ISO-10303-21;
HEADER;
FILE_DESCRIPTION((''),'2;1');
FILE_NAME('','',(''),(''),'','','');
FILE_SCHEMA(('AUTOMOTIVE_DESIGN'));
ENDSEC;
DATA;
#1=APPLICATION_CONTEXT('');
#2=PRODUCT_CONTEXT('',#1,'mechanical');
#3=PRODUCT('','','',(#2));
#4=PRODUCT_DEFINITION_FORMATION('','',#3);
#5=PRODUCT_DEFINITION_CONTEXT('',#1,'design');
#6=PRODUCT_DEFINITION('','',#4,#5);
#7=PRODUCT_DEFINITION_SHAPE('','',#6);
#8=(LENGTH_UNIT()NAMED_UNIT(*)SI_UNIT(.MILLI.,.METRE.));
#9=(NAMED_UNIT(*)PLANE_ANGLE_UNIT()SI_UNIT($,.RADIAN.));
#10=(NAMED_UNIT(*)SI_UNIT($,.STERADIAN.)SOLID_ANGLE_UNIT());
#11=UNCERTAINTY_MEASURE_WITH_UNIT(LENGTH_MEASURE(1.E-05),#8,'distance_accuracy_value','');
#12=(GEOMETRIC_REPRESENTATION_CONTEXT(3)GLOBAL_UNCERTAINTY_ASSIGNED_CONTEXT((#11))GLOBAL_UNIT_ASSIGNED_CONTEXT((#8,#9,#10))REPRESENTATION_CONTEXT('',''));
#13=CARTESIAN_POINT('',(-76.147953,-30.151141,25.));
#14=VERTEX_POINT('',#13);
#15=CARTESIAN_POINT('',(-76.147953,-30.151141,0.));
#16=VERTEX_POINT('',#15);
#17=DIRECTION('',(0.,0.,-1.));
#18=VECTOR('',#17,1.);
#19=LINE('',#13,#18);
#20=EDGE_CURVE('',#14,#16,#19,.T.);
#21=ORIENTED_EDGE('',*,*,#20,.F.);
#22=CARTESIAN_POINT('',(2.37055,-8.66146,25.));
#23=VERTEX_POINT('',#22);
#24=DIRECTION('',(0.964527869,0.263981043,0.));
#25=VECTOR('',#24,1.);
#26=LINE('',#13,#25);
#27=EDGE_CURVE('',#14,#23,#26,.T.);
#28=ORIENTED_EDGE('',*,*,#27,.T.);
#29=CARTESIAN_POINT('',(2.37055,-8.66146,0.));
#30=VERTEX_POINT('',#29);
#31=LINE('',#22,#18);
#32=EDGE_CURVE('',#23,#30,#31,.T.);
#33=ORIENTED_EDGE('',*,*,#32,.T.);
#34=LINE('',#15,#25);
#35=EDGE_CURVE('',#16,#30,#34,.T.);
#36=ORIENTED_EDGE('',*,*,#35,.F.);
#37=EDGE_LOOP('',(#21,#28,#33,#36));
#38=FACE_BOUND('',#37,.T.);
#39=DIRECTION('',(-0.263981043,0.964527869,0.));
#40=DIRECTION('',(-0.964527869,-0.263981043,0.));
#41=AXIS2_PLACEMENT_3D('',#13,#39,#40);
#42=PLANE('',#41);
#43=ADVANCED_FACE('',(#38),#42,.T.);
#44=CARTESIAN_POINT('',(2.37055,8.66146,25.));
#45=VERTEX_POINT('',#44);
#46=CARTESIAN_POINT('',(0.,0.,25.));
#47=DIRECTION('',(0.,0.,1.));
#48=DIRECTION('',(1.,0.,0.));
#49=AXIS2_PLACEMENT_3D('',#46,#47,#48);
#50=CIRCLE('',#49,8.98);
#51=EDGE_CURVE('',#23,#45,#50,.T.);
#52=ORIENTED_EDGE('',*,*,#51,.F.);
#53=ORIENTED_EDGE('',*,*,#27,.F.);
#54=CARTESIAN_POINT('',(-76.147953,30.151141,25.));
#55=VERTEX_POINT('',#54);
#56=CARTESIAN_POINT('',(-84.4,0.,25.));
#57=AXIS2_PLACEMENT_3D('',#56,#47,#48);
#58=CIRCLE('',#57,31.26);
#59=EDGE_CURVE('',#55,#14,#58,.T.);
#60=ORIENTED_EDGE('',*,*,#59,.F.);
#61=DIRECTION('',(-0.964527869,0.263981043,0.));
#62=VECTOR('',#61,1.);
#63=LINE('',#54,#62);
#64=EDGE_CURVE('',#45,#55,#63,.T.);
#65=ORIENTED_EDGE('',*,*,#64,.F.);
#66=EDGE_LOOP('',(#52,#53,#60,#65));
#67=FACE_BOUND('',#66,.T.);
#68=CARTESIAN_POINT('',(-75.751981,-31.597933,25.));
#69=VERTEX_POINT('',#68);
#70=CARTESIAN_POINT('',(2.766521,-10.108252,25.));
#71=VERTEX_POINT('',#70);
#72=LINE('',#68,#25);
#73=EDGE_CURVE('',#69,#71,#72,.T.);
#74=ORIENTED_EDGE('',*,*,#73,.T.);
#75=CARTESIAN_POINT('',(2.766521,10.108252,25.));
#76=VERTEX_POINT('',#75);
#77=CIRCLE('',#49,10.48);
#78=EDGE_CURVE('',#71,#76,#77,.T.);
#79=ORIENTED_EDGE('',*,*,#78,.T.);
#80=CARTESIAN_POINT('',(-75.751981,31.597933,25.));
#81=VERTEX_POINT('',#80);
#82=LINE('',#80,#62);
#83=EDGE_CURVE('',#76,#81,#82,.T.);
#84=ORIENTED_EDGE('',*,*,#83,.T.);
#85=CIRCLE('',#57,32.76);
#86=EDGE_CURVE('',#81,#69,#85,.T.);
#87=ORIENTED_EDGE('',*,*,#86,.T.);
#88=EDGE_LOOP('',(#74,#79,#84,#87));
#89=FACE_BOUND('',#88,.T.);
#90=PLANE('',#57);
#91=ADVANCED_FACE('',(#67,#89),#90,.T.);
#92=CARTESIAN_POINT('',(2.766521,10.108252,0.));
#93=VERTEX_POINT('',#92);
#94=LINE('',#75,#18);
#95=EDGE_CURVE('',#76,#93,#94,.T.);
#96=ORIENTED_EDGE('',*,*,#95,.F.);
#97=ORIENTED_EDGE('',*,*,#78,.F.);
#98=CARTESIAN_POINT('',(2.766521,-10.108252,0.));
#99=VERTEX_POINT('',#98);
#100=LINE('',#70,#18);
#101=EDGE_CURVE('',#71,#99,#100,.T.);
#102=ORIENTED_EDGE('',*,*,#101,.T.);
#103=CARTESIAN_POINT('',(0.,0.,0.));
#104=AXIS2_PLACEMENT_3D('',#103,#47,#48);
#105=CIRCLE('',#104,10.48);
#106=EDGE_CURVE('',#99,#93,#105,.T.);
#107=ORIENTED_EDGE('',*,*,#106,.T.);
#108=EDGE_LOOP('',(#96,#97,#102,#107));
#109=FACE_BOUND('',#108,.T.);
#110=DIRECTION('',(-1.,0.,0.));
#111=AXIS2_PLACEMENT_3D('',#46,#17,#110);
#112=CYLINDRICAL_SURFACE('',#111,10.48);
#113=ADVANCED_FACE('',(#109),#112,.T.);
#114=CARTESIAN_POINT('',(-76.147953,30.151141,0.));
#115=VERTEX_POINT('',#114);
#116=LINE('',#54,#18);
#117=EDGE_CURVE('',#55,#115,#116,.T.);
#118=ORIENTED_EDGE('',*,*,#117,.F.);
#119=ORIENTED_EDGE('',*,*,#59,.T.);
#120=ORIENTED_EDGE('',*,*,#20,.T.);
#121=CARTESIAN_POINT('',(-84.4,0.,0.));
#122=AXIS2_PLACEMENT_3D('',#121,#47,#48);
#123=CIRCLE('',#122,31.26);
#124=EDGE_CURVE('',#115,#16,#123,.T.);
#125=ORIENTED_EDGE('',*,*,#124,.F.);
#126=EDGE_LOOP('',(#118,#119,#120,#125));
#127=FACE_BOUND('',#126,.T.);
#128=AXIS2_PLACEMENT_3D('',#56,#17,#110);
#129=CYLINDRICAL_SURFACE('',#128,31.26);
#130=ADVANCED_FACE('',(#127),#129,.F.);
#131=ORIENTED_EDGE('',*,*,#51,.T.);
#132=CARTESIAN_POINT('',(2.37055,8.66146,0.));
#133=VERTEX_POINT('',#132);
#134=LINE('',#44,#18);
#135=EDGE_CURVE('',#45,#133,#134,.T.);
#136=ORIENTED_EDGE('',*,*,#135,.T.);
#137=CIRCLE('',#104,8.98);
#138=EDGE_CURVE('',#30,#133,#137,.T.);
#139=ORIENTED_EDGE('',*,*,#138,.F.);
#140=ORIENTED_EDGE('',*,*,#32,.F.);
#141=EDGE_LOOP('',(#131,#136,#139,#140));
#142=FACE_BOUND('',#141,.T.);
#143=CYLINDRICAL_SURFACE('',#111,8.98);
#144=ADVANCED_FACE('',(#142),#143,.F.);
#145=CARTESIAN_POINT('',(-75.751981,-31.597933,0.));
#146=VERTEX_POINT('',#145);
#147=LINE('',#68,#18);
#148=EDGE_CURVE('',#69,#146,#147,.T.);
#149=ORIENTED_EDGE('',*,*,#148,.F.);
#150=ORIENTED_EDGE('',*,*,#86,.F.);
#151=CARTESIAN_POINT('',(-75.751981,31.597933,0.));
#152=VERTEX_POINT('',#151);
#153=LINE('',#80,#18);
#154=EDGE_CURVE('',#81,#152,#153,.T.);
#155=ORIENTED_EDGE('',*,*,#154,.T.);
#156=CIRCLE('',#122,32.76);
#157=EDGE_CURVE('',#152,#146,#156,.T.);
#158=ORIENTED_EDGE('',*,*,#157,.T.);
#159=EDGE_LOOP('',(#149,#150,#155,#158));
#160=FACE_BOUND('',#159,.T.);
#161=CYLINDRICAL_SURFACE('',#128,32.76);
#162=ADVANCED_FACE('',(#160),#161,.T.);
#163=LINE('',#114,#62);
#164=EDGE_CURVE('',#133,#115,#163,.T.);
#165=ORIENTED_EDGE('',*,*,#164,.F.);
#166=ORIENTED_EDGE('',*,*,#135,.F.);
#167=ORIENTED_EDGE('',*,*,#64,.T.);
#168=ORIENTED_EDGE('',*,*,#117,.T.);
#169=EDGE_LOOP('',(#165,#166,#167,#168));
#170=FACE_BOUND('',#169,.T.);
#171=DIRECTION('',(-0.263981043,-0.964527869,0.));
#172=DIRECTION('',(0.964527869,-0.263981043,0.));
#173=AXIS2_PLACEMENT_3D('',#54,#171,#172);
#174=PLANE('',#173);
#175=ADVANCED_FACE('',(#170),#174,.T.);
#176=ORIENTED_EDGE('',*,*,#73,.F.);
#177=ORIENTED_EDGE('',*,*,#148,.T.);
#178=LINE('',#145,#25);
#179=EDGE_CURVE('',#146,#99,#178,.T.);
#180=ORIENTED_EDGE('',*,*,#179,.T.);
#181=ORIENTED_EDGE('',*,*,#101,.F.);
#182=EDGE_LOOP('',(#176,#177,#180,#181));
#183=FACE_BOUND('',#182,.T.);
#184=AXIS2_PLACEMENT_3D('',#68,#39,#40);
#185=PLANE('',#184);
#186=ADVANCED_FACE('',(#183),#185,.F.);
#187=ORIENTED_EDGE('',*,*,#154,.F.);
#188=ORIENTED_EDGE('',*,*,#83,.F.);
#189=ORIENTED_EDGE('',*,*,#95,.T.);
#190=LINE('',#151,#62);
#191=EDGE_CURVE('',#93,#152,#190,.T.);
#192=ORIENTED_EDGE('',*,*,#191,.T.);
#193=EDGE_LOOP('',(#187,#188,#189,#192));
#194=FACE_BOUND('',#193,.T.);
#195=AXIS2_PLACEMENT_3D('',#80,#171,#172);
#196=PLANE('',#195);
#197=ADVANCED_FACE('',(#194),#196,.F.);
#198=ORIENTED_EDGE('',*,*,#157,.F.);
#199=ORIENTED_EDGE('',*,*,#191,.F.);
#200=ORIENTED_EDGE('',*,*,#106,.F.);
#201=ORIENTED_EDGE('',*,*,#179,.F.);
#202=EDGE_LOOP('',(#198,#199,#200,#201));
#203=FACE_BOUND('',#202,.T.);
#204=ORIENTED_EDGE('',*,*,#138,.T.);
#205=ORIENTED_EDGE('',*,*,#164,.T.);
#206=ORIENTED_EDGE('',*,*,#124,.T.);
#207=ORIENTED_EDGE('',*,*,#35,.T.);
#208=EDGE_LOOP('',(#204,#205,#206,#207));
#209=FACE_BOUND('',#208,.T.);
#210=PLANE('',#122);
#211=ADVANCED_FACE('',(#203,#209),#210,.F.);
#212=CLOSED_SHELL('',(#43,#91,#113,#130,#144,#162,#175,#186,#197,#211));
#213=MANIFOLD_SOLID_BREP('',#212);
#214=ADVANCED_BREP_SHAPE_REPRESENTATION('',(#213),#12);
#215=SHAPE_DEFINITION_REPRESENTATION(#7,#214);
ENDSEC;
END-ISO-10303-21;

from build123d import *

# Parameters (mm, degrees)
BOSS_EXTRUDE1_DEPTH = 25


with BuildPart() as part:
    # Sketch1 → Boss-Extrude1 (new body)
    with BuildSketch(Plane.XY):
        with BuildLine():
            Line((-75.751981043, 31.597932972), (2.766521327, 10.108252062))
            ThreePointArc((2.766521327, 10.108252062), (10.48, 0), (2.766521327, -10.108252062))
            Line((2.766521327, -10.108252062), (-75.751981043, -31.597932972))
            ThreePointArc((-75.751981043, -31.597932972), (-117.16, 0), (-75.751981043, 31.597932972))
        make_face()
        with BuildLine():
            Line((-76.147952607, 30.151141169), (2.370549763, 8.661460259))
            ThreePointArc((2.370549763, 8.661460259), (8.98, 0), (2.370549763, -8.661460259))
            Line((2.370549763, -8.661460259), (-76.147952607, -30.151141169))
            ThreePointArc((-76.147952607, -30.151141169), (-115.66, 0), (-76.147952607, 30.151141169))
        make_face(mode=Mode.SUBTRACT)
    extrude(amount=BOSS_EXTRUDE1_DEPTH)


solid = part.part
